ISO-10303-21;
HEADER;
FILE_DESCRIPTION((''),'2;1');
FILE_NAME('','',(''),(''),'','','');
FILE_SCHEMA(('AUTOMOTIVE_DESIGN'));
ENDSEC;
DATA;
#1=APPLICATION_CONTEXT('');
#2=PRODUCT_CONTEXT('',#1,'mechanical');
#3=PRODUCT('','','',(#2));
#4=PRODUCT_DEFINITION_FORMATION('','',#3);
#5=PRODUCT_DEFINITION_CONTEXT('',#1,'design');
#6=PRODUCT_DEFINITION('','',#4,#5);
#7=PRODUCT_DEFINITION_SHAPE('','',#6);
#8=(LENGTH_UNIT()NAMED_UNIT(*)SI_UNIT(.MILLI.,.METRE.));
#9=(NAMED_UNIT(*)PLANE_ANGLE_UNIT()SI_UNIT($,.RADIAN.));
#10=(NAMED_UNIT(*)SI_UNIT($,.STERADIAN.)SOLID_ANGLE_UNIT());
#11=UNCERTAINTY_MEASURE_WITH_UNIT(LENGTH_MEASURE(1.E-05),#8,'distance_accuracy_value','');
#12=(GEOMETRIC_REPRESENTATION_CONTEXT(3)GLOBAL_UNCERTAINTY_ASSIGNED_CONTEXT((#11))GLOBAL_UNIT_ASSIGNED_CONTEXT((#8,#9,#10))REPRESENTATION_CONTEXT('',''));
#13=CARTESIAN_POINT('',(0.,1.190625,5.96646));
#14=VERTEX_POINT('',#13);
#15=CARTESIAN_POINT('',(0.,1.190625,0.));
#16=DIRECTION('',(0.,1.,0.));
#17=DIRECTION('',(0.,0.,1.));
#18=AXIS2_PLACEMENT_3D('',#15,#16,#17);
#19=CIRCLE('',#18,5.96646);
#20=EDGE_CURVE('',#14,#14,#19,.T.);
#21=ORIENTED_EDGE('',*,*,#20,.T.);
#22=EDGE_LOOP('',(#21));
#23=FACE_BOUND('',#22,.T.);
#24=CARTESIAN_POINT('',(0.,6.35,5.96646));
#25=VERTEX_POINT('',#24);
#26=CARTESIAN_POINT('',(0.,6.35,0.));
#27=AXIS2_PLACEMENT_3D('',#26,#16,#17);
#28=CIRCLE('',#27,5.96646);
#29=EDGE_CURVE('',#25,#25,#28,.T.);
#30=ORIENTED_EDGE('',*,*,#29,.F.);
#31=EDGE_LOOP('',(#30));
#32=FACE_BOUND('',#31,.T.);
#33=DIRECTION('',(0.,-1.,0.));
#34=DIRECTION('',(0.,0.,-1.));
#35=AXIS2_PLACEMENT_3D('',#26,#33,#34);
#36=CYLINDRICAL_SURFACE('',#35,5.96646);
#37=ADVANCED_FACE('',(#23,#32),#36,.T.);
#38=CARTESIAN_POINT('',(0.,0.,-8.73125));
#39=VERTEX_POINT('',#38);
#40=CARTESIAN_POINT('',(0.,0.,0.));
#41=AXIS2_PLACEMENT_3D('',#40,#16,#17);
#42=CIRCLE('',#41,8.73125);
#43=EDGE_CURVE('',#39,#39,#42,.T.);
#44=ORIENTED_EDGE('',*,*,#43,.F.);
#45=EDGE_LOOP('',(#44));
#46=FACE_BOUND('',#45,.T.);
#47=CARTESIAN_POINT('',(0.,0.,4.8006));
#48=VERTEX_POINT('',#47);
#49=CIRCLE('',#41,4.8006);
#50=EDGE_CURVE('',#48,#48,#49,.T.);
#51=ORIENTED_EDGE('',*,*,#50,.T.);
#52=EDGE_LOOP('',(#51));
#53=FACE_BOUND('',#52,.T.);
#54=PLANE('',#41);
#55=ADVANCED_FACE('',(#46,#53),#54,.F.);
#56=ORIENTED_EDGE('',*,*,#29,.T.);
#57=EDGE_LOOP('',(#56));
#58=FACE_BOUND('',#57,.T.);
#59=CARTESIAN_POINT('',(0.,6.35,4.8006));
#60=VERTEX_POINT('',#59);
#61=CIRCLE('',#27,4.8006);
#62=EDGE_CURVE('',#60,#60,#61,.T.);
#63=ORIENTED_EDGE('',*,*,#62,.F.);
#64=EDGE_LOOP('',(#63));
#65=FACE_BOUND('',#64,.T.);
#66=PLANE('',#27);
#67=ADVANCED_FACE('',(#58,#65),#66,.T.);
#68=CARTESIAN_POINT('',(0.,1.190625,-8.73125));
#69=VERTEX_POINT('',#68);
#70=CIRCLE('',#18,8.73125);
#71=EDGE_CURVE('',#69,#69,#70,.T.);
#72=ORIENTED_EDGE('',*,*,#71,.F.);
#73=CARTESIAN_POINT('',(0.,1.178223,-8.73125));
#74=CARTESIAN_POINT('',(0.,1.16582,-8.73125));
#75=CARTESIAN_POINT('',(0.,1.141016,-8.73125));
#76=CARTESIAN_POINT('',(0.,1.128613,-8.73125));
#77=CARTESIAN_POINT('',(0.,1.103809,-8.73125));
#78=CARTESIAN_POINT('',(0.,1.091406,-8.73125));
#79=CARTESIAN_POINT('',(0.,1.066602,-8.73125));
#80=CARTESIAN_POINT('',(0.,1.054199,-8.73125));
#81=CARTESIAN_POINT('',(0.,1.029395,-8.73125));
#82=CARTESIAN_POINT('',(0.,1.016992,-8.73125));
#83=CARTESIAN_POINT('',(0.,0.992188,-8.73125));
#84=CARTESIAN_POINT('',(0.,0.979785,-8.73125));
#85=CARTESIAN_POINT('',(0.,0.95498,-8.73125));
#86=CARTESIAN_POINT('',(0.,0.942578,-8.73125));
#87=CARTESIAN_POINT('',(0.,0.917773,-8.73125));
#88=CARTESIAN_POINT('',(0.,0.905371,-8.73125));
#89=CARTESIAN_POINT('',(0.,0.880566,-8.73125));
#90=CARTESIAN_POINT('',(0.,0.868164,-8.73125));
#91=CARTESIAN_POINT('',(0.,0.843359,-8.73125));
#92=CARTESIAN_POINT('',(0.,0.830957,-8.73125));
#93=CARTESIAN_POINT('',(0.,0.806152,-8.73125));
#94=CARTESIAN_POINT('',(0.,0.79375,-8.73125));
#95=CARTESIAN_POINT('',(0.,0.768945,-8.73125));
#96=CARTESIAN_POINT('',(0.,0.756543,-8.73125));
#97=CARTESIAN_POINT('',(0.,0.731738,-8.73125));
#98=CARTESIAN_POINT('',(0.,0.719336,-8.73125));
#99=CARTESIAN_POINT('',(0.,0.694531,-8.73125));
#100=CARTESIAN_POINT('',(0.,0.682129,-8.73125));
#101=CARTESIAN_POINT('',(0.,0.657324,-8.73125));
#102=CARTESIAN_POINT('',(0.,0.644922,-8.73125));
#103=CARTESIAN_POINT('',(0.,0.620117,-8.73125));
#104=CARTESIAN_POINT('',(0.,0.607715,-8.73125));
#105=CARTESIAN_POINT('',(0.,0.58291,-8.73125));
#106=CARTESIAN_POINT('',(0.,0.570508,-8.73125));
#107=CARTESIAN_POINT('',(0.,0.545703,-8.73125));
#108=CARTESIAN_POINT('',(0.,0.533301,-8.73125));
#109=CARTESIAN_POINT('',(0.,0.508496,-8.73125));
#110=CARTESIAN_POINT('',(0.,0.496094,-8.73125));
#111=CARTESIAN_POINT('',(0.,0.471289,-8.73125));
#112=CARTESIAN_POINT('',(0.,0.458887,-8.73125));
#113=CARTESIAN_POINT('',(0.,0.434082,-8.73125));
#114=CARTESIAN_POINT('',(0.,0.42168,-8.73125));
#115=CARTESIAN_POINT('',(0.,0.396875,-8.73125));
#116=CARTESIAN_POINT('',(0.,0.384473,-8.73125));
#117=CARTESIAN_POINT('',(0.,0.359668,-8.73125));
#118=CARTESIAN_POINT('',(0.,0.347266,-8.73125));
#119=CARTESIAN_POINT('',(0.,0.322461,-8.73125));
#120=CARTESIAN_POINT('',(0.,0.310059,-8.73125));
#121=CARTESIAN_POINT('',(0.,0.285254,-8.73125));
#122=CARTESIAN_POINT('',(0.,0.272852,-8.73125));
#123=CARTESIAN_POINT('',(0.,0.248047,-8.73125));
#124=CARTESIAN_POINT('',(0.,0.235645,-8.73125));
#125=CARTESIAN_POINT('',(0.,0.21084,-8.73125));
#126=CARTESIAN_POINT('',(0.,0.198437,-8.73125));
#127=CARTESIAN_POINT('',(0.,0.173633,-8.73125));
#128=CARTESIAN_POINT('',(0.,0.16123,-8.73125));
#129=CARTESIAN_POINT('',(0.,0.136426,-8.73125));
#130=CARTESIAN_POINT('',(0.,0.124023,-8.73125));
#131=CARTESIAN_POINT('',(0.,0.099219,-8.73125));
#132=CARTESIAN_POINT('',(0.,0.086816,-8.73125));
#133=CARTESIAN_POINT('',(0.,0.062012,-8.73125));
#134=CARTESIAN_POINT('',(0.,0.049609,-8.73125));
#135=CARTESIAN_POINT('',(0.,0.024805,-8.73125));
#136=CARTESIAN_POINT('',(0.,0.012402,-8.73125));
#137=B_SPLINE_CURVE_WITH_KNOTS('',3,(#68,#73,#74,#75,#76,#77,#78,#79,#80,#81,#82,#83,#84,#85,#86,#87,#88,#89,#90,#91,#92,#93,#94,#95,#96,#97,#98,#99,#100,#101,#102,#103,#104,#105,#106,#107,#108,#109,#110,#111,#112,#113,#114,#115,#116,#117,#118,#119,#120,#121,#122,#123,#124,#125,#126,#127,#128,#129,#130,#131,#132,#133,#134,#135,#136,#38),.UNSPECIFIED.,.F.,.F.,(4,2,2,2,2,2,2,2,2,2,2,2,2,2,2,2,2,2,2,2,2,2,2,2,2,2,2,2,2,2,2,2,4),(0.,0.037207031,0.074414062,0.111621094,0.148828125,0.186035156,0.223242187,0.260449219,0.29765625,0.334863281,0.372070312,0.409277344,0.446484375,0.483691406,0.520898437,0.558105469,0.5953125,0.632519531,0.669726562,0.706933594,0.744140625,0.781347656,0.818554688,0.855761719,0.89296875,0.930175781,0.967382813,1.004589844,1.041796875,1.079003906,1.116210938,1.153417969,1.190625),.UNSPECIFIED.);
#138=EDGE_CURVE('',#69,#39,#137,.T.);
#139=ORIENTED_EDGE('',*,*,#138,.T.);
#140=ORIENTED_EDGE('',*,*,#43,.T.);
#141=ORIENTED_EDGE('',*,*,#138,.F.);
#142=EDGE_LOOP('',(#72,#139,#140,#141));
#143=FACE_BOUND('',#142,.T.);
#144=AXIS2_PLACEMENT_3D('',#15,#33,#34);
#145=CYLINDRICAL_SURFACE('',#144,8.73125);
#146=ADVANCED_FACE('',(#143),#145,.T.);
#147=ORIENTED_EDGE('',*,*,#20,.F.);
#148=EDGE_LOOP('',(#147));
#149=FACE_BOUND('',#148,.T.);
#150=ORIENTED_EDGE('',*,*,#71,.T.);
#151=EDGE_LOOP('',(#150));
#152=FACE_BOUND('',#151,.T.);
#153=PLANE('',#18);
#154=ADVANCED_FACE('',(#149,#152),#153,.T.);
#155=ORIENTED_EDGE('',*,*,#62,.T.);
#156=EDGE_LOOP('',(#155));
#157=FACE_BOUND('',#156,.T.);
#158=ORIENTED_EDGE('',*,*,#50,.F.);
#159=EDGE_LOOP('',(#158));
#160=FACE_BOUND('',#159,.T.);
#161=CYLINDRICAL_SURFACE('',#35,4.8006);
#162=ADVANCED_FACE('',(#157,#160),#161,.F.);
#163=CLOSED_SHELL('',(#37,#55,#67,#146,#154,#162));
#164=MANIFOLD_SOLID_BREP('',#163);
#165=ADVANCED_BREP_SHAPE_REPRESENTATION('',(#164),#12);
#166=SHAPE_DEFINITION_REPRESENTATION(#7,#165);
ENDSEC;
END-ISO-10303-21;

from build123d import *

# Parameters (mm, degrees)
SKETCH2_R           = 5.96646
SKETCH2_R_2         = 4.8006
BOSS_EXTRUDE1_DEPTH = 6.35
SKETCH3_R           = 8.73125
SKETCH3_R_2         = 5.96646
BOSS_EXTRUDE2_DEPTH = 1.190625


with BuildPart() as part:
    # Sketch2 → Boss-Extrude1 (new body)
    with BuildSketch(Plane(origin=(0, 0, 0), x_dir=(1, 0, 0), z_dir=(0, 1, 0))):
        with Locations(Location((0, 0, 0), (0, 0, 270))):
            Circle(SKETCH2_R)
        with Locations(Location((0, 0, 0), (0, 0, 270))):
            Circle(SKETCH2_R_2, mode=Mode.SUBTRACT)
    extrude(amount=BOSS_EXTRUDE1_DEPTH)

    # Sketch3 → Boss-Extrude2 (add)
    with BuildSketch(Plane(origin=(0, 0, 0), x_dir=(1, 0, 0), z_dir=(0, 1, 0))):
        with Locations(Location((0, 0, 0), (0, 0, 90))):
            Circle(SKETCH3_R)
        with Locations(Location((0, 0, 0), (0, 0, 270))):
            Circle(SKETCH3_R_2, mode=Mode.SUBTRACT)
    extrude(amount=BOSS_EXTRUDE2_DEPTH)


solid = part.part
